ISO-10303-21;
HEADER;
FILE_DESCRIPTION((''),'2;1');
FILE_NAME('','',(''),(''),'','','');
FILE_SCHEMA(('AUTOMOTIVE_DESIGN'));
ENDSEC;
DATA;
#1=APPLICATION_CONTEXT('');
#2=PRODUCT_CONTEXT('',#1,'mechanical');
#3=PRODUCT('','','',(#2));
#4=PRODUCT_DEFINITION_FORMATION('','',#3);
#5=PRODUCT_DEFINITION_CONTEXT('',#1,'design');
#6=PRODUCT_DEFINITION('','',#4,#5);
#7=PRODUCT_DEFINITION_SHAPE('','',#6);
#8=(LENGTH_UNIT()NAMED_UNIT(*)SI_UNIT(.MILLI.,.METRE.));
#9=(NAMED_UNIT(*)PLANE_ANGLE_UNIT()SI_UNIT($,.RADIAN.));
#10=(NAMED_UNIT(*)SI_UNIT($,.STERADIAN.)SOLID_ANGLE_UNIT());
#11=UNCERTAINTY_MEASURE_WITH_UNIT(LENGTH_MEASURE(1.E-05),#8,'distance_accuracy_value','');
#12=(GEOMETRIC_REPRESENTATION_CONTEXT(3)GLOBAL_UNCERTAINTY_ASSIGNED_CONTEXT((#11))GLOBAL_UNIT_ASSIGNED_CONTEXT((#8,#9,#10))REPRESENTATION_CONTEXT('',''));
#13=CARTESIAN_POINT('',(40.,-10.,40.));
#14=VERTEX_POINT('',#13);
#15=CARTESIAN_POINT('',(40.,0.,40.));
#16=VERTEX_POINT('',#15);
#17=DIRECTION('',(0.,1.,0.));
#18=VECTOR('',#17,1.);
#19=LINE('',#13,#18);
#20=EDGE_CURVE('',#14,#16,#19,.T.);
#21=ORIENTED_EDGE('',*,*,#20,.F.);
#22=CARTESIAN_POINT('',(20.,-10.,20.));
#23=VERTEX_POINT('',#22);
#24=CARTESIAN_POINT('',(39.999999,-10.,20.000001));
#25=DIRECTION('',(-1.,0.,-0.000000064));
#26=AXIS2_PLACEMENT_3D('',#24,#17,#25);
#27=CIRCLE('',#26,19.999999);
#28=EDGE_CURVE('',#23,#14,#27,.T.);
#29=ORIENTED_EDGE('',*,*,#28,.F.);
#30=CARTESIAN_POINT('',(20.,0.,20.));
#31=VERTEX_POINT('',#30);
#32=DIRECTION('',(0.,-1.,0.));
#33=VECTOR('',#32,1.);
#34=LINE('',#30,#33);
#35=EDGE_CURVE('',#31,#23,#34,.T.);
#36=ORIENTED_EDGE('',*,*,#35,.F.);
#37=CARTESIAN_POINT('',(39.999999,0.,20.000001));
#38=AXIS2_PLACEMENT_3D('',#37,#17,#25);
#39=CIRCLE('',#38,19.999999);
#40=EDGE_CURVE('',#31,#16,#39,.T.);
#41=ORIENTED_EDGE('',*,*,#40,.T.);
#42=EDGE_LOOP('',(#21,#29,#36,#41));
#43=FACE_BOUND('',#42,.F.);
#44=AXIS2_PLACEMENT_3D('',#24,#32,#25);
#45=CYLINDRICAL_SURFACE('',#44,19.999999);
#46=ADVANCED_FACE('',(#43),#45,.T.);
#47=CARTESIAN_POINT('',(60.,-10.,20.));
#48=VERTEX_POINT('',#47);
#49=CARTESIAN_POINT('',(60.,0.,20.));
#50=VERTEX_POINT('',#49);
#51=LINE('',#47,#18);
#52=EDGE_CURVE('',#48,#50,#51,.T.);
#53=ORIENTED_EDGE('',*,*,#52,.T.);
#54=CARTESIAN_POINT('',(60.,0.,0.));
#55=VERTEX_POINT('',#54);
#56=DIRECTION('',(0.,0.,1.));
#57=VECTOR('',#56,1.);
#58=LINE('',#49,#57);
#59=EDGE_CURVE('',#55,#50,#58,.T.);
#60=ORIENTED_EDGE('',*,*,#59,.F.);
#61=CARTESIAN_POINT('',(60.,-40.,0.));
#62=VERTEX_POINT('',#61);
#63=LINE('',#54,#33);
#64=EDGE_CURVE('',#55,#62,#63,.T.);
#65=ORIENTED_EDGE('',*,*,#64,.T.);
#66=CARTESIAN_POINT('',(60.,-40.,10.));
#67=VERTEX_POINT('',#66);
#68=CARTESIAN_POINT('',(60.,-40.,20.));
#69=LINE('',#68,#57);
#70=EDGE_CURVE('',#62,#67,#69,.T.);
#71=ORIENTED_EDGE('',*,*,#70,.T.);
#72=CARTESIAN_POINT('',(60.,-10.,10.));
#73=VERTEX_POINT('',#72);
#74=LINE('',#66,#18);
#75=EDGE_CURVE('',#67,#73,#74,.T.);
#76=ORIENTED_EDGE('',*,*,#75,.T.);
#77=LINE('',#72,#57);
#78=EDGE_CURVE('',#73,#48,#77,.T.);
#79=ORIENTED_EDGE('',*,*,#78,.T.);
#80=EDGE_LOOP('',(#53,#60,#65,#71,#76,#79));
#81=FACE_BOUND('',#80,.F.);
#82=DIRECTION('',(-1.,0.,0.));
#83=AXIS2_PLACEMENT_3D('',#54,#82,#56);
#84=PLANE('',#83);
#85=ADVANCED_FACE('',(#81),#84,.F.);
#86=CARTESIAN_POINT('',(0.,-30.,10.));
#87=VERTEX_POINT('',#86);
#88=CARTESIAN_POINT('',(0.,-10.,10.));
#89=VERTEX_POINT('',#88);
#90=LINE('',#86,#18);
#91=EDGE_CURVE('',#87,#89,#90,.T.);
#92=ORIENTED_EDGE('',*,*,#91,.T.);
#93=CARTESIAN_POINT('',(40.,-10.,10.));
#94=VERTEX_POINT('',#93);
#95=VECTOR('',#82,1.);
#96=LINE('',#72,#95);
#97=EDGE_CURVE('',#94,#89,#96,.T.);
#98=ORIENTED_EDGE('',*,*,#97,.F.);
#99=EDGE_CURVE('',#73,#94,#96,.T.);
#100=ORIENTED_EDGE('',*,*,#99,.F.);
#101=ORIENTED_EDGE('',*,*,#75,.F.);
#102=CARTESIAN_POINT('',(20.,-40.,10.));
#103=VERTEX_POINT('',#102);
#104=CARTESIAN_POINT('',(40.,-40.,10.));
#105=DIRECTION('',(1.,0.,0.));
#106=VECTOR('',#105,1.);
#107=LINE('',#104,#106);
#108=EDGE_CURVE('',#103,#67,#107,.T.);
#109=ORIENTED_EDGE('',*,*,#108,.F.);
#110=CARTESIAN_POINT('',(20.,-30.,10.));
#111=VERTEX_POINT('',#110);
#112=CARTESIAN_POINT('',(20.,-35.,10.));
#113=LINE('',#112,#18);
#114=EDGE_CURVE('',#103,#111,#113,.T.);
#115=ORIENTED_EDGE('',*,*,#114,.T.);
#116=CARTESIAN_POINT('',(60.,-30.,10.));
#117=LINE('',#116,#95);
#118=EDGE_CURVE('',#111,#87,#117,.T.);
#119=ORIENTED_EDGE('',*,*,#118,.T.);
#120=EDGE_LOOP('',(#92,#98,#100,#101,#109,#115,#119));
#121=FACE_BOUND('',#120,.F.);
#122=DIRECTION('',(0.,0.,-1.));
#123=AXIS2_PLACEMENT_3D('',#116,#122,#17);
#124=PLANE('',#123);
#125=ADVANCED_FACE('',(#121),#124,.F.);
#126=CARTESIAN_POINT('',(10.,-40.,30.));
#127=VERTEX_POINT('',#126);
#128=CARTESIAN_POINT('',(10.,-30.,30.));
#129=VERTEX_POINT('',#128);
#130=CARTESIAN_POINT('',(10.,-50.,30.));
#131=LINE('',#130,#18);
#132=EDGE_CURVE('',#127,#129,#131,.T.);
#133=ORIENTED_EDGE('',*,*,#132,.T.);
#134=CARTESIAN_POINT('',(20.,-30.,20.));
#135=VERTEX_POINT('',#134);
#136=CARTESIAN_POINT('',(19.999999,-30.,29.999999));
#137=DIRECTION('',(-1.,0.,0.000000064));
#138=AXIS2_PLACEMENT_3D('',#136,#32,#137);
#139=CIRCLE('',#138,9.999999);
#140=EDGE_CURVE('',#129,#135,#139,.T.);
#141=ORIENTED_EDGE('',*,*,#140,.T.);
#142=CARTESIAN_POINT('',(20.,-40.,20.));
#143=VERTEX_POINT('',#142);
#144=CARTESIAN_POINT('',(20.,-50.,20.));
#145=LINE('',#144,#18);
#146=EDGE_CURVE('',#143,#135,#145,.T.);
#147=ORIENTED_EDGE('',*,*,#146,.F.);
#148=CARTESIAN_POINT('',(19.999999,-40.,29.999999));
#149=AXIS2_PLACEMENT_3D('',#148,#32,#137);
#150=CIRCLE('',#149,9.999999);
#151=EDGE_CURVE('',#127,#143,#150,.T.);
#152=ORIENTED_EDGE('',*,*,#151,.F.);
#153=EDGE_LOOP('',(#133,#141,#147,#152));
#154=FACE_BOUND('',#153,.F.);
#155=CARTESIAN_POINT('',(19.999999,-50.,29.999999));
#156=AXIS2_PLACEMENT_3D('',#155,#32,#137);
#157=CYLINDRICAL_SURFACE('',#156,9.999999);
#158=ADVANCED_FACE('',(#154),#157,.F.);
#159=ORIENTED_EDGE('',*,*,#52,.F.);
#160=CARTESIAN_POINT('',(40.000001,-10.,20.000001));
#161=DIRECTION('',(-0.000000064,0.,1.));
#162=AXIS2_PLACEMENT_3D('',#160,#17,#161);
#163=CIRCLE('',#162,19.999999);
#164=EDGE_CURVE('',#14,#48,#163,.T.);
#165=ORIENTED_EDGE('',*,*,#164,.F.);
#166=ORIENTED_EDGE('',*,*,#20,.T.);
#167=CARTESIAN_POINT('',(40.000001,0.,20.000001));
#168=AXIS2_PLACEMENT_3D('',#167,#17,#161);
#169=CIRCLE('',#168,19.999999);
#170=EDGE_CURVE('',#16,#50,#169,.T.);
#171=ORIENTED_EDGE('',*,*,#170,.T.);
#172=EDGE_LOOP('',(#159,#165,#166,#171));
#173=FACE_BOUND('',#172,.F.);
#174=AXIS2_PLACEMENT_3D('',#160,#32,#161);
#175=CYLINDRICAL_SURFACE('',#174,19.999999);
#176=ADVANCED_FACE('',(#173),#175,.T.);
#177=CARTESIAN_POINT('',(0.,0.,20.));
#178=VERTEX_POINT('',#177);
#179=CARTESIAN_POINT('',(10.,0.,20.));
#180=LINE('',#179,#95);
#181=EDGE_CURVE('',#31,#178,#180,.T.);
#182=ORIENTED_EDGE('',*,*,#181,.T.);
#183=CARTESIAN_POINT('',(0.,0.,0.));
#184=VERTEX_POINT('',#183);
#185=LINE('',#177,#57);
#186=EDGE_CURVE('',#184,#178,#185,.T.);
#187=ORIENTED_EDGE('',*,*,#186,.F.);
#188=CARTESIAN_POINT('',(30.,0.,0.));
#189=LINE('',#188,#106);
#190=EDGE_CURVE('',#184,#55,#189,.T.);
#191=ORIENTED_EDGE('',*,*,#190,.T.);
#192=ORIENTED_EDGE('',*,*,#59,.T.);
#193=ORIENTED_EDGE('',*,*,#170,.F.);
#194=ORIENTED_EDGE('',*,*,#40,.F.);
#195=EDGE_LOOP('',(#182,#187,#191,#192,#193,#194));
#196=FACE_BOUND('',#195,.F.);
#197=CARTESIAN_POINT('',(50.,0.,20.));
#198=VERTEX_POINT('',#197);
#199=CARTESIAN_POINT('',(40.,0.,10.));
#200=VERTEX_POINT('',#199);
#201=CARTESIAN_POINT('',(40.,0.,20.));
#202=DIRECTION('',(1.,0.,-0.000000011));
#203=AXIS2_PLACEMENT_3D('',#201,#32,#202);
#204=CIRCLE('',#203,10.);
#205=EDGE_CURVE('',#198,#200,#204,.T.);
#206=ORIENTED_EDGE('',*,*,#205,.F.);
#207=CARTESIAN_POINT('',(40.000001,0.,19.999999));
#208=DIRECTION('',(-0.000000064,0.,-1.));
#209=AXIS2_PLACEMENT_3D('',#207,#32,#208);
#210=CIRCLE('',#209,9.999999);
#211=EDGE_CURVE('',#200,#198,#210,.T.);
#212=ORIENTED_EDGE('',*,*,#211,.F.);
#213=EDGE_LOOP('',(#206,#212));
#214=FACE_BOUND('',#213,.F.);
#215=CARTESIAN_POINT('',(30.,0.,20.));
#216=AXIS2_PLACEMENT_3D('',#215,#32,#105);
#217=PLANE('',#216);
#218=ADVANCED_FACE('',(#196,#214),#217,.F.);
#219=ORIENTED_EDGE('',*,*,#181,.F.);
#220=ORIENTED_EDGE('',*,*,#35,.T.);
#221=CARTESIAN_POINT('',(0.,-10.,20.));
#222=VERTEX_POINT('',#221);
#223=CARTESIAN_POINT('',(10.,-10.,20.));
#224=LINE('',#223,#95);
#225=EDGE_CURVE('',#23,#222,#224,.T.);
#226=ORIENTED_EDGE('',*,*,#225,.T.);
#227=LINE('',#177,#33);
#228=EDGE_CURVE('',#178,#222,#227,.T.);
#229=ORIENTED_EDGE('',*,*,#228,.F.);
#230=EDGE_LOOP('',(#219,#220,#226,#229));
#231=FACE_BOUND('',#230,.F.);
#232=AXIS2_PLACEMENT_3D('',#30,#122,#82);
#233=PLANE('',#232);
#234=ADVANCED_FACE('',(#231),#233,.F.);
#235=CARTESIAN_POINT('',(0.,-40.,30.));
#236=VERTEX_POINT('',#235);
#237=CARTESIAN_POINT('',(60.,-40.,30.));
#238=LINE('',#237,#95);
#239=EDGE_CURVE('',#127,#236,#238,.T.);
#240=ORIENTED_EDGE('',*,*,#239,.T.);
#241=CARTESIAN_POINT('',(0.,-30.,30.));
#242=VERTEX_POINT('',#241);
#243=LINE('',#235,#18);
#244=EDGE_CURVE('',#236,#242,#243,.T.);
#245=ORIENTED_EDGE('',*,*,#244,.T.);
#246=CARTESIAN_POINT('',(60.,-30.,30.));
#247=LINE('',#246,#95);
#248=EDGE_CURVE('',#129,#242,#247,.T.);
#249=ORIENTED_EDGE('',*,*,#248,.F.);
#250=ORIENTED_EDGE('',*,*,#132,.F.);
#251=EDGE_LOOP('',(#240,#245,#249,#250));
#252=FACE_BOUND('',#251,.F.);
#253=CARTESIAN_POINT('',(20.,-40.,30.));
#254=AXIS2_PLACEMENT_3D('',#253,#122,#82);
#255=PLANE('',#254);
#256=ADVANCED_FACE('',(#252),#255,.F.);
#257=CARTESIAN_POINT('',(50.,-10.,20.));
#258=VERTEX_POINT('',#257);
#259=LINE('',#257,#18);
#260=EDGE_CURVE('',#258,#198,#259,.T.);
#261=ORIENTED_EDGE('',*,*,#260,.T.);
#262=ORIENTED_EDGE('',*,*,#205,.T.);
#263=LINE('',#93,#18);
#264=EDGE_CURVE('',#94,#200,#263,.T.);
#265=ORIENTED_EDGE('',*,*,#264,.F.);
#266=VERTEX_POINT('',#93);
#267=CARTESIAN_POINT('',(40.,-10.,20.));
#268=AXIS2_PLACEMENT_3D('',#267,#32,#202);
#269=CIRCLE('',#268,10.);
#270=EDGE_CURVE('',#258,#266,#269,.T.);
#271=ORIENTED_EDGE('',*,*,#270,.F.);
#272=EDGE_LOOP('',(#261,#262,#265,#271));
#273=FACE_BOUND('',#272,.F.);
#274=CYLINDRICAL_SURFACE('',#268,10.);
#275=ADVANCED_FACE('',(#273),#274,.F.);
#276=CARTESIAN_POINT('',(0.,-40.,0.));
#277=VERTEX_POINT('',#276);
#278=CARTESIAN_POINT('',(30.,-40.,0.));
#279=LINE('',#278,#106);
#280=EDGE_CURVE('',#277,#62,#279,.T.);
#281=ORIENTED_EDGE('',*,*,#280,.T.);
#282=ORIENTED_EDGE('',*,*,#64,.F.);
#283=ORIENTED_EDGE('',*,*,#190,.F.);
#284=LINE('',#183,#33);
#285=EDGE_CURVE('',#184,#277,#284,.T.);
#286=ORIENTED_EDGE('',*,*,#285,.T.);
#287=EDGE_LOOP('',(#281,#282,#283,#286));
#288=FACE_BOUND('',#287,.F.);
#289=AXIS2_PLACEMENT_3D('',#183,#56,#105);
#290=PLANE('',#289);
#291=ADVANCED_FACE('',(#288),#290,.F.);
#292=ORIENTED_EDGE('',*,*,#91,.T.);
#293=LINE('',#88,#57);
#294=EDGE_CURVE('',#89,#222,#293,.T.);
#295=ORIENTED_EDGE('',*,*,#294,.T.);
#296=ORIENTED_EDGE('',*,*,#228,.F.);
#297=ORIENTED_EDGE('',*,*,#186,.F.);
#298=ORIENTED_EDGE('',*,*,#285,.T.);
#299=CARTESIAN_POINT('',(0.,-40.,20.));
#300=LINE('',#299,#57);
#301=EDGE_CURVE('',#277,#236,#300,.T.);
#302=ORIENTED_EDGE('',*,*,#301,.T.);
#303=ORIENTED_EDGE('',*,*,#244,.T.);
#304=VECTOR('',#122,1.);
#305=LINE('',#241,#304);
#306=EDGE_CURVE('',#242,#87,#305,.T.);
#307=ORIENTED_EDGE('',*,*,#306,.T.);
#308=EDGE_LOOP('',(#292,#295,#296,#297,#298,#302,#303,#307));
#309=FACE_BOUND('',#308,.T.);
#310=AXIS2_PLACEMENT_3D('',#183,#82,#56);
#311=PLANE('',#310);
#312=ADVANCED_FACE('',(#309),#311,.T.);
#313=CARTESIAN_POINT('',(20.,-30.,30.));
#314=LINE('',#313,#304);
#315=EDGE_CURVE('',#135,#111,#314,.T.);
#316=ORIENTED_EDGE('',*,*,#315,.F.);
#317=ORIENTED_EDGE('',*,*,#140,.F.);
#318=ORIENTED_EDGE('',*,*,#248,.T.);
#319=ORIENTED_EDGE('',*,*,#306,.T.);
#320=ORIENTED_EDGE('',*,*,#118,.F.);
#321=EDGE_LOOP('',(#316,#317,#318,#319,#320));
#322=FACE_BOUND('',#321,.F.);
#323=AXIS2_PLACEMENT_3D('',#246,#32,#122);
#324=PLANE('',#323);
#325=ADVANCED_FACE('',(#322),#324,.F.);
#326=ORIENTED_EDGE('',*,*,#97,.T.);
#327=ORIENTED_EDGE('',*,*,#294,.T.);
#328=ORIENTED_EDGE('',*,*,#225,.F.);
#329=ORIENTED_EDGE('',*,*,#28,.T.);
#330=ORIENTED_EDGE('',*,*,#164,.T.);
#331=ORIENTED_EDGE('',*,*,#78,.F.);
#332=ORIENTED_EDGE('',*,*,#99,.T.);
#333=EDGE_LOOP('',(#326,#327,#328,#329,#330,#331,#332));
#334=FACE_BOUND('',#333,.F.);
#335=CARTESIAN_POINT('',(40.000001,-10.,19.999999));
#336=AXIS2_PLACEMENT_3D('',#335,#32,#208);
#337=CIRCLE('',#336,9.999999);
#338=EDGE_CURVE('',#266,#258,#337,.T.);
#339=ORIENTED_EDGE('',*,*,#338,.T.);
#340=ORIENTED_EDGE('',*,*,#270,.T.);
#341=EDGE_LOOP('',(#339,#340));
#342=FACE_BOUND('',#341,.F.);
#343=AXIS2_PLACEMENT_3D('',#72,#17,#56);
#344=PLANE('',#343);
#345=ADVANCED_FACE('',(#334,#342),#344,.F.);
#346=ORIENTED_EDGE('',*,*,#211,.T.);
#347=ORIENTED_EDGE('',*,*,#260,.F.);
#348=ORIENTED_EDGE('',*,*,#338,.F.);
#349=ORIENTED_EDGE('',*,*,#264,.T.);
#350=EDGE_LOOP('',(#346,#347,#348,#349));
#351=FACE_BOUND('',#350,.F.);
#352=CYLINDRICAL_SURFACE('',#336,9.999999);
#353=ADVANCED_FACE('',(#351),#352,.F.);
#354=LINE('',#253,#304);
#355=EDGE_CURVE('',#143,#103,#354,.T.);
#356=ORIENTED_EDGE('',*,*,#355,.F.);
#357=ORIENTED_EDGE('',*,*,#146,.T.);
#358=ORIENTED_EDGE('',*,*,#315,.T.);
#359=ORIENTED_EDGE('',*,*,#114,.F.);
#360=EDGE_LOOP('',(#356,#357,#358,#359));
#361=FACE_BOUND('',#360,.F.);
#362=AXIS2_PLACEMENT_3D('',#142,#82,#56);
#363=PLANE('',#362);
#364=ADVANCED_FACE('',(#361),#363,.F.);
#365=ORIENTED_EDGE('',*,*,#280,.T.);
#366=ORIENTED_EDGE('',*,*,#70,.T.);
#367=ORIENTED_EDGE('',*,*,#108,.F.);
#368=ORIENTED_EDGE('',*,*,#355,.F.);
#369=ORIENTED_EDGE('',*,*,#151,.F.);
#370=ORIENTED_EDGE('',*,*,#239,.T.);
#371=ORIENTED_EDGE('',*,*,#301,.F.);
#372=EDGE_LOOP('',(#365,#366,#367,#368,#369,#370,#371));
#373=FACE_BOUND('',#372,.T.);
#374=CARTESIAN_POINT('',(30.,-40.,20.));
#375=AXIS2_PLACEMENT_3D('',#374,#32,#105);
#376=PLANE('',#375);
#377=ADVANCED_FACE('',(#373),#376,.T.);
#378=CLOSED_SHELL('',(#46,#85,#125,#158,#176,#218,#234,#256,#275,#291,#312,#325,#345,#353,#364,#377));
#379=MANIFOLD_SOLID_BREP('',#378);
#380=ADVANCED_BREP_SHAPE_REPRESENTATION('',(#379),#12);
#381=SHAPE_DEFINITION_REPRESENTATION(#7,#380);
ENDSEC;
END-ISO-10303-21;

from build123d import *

# Parameters (mm, degrees)
F0_W      = 60
F0_H      = 40
F1_DEPTH  = 40
F3_DEPTH  = 60
F4_W      = 40
F4_H      = 10
F5_DEPTH  = 20
F7_DEPTH  = 10
F8_DEPTH  = 20
F9_W      = 20
F9_H      = 20
F10_DEPTH = 10
F12_DEPTH = 10
F14_DEPTH = 10


with BuildPart() as f1:
    # F0 (on Front) → F1 (new body)
    with BuildSketch(Plane.XZ):
        with Locations((30, 20)):
            Rectangle(F0_W, F0_H)
    extrude(amount=F1_DEPTH)

    # F2 (on face) → F3 (cut)
    with BuildSketch(Plane.YZ.offset(60)):
        Polygon((-10, 40), (-40, 40), (-40, 30), (-30, 30), (-30, 10), (-10, 10), align=None)
    extrude(amount=-F3_DEPTH, mode=Mode.SUBTRACT)

    # F4 (on face) → F5 (cut)
    with BuildSketch(Plane.XY.offset(30)):
        with Locations((40, -35)):
            Rectangle(F4_W, F4_H)
    extrude(amount=-F5_DEPTH, mode=Mode.SUBTRACT)

    # F6 (on face) → F7 (join)
    with BuildSketch(Plane.XZ.offset(40)):
        with BuildLine():
            Line((20, 30), (10, 30))
            ThreePointArc((10, 30), (12.928932, 22.928932), (20, 20))
            Line((20, 20), (20, 30))
        make_face()
    extrude(amount=F7_DEPTH)

    # F7_face (on face) → F8 (cut)
    with BuildSketch(Plane(origin=(15.755868, -50, 25.755868), x_dir=(1, 0, 0), z_dir=(0, -1, 0))):
        with BuildLine():
            Line((4.244132, 4.244132), (-5.755868, 4.244132))
            ThreePointArc((-5.755868, 4.244132), (-2.826936, -2.826936), (4.244132, -5.755868))
            Line((4.244132, -5.755868), (4.244132, 4.244132))
        make_face()
    extrude(amount=-F8_DEPTH, mode=Mode.SUBTRACT)

    # F9 (on face) → F10 (cut)
    with BuildSketch(Plane(origin=(0, 0, 0), x_dir=(-1, 0, 0), z_dir=(0, 1, 0))):
        with Locations((-10, 30)):
            Rectangle(F9_W, F9_H)
    extrude(amount=-F10_DEPTH, mode=Mode.SUBTRACT)

    # F11 (on face) → F12 (cut)
    with BuildSketch(Plane.XZ.offset(10)):
        with BuildLine():
            ThreePointArc((20, 20), (25.857864, 34.142136), (40, 40))
            Line((40, 40), (20, 40))
            Line((20, 40), (20, 20))
        make_face()
        with BuildLine():
            ThreePointArc((40, 40), (54.142136, 34.142136), (60, 20))
            Line((60, 20), (60, 40))
            Line((60, 40), (40, 40))
        make_face()
    extrude(amount=-F12_DEPTH, mode=Mode.SUBTRACT)

    # F13 (on face) → F14 (cut)
    with BuildSketch(Plane.XZ.offset(10)):
        with BuildLine():
            ThreePointArc((40, 10), (47.071068, 12.928932), (50, 20))
            ThreePointArc((50, 20), (32.928932, 27.071068), (40, 10))
        make_face()
    extrude(amount=-F14_DEPTH, mode=Mode.SUBTRACT)


solid = f1.part
